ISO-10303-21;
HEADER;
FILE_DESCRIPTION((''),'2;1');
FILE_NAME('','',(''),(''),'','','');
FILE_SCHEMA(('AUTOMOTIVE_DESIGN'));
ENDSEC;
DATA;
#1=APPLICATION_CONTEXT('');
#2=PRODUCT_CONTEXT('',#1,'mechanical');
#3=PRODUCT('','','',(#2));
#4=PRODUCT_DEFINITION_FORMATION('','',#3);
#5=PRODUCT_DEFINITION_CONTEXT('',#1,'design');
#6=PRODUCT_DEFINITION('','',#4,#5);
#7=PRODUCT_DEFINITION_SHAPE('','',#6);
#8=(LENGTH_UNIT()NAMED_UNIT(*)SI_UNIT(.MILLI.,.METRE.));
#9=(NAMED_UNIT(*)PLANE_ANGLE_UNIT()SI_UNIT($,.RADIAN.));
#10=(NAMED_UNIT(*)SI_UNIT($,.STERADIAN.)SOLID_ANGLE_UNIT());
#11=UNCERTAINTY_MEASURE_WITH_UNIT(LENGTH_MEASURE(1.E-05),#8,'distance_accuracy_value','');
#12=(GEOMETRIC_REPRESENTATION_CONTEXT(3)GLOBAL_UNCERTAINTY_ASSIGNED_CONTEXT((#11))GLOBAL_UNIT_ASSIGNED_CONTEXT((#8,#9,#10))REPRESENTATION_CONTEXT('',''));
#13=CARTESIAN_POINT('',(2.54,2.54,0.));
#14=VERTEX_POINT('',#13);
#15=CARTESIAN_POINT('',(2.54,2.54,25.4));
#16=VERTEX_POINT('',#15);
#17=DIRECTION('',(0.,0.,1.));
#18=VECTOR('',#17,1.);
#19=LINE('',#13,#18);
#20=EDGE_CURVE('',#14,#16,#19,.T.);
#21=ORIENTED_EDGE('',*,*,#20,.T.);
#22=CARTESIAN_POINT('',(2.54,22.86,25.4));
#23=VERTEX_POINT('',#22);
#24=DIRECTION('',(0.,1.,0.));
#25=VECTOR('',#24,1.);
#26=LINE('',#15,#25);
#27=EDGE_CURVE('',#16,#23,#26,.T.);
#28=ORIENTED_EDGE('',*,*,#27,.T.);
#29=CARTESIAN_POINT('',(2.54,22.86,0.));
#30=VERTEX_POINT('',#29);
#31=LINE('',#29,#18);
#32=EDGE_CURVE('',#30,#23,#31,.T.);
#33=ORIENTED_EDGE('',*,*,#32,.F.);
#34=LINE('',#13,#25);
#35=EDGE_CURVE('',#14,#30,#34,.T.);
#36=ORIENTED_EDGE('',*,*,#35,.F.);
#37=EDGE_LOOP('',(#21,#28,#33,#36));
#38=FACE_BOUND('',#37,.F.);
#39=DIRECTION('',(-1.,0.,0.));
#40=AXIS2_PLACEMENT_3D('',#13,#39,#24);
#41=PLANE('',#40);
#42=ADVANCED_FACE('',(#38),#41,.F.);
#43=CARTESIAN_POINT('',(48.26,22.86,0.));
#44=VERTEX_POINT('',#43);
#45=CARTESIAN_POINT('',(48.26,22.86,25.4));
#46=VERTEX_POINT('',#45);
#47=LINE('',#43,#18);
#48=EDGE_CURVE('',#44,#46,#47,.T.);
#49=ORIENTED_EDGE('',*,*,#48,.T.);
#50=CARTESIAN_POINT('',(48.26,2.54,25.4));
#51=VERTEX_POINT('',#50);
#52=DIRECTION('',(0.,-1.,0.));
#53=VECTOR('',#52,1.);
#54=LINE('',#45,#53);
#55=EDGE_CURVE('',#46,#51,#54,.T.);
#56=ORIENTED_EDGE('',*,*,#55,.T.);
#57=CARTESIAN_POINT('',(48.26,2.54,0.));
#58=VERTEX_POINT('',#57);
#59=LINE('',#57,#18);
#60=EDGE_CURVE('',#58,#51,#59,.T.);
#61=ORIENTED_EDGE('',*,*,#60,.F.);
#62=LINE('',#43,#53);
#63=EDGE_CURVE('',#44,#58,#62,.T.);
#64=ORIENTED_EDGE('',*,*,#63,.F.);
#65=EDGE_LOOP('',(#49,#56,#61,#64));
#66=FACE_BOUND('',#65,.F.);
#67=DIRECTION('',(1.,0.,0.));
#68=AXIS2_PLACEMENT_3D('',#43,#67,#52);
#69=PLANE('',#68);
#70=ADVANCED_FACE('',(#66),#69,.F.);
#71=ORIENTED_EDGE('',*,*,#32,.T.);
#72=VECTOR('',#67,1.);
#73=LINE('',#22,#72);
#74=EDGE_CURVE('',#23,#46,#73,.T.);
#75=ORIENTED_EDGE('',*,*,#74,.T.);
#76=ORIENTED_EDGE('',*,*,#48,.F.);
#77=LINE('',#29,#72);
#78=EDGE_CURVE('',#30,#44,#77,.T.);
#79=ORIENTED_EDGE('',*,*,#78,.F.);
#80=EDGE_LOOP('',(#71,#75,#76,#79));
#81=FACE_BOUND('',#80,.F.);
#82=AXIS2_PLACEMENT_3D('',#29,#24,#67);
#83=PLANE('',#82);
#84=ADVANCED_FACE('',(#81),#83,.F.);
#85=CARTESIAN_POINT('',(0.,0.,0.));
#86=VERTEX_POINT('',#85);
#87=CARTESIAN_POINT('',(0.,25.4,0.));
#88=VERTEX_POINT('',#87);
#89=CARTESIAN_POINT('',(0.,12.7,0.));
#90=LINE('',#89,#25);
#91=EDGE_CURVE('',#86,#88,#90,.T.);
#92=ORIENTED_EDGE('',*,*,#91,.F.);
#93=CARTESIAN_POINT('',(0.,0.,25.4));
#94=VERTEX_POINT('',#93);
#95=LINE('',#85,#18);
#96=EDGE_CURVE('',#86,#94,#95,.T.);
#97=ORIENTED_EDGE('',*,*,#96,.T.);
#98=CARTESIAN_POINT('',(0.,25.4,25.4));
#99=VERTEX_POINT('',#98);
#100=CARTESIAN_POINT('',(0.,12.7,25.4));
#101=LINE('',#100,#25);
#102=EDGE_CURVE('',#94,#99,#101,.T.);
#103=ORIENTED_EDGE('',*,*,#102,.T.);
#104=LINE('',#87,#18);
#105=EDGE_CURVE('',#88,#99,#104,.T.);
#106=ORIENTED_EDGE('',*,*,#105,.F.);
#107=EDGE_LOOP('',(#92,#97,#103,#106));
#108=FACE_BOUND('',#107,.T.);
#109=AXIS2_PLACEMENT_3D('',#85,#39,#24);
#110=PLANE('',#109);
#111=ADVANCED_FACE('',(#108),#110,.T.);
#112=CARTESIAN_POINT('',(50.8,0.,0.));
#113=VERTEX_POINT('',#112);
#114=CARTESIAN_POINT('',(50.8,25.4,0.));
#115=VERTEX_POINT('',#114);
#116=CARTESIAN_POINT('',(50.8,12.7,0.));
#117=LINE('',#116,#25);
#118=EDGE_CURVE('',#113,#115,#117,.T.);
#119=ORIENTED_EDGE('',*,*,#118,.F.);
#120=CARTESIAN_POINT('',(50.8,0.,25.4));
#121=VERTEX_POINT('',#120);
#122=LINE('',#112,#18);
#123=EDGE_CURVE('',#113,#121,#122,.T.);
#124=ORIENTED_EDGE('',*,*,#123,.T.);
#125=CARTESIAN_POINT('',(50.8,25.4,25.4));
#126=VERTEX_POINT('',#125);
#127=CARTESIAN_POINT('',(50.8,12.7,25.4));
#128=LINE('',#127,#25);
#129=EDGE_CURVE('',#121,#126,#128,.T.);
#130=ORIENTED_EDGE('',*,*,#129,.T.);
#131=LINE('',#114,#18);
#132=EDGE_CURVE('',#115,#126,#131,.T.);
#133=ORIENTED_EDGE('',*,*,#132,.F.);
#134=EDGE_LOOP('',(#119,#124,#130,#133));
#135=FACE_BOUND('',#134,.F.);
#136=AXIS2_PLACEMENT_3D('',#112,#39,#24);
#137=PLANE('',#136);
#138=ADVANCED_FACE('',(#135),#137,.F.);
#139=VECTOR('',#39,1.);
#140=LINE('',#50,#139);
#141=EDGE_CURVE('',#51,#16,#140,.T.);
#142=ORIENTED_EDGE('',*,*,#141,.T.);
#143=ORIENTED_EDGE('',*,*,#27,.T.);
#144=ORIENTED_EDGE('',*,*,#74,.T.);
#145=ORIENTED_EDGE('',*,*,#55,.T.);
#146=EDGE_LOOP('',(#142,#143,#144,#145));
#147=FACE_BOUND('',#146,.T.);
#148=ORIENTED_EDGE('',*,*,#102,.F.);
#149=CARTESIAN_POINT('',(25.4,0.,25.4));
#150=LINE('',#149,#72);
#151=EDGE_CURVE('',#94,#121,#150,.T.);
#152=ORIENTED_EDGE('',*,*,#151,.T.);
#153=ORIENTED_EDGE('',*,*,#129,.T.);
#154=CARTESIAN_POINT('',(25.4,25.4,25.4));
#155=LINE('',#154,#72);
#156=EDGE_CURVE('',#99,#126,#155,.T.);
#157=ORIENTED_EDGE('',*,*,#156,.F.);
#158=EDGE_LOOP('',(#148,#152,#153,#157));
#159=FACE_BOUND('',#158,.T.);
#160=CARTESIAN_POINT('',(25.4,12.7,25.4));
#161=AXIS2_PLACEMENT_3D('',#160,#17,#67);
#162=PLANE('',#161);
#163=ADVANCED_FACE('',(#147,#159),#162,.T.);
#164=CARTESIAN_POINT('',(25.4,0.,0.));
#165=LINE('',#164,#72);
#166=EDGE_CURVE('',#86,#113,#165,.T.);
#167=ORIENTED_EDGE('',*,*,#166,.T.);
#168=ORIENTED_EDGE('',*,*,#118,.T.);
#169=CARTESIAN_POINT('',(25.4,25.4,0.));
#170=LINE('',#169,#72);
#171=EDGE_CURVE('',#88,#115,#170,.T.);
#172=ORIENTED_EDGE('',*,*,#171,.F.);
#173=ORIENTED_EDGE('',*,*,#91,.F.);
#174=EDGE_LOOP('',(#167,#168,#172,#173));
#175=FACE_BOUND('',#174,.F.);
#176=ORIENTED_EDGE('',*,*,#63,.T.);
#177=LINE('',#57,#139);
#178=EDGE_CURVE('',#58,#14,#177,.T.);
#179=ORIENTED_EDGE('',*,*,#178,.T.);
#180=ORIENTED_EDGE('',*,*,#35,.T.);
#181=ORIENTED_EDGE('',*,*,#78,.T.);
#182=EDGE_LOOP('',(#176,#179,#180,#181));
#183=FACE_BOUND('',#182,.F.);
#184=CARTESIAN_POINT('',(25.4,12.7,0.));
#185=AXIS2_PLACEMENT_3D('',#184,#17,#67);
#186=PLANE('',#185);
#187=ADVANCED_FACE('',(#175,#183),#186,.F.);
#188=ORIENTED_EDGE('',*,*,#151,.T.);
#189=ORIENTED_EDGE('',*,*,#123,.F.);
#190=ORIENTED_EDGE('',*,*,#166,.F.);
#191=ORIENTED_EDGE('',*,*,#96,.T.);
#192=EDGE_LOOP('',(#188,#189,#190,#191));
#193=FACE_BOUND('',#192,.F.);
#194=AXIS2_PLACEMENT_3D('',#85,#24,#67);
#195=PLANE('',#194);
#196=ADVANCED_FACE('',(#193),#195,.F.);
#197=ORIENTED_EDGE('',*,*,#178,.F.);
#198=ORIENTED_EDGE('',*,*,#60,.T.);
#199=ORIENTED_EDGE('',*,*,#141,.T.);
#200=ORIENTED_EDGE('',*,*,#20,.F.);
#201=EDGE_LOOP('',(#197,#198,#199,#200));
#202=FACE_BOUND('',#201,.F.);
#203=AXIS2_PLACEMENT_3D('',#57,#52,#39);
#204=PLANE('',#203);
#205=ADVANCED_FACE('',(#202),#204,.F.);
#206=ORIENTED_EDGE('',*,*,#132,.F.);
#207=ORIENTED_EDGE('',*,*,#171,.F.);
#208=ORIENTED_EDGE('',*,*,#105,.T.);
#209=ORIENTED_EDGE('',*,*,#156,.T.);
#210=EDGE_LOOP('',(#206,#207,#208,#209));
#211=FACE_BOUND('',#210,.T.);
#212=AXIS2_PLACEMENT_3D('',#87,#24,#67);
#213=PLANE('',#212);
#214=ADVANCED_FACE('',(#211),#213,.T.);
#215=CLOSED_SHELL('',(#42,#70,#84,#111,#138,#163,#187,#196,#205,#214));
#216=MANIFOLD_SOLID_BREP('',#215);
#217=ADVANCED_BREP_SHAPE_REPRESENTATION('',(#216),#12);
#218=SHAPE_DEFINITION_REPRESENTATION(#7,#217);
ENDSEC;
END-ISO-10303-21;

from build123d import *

# Parameters (mm, degrees)
F0_W     = 50.8
F0_H     = 25.4
F1_DEPTH = 25.4


with BuildPart() as f1:
    # F0 (on Top) → F1 (new body)
    with BuildSketch(Plane.XY):
        with Locations((25.4, 12.7)):
            Rectangle(F0_W, F0_H)
        Polygon((2.54, 2.54), (2.54, 12.7), (2.54, 22.86), (25.4, 22.86), (48.26, 22.86), (48.26, 12.7), (48.26, 2.54), (25.4, 2.54), align=None, mode=Mode.SUBTRACT)
    extrude(amount=F1_DEPTH)


solid = f1.part
